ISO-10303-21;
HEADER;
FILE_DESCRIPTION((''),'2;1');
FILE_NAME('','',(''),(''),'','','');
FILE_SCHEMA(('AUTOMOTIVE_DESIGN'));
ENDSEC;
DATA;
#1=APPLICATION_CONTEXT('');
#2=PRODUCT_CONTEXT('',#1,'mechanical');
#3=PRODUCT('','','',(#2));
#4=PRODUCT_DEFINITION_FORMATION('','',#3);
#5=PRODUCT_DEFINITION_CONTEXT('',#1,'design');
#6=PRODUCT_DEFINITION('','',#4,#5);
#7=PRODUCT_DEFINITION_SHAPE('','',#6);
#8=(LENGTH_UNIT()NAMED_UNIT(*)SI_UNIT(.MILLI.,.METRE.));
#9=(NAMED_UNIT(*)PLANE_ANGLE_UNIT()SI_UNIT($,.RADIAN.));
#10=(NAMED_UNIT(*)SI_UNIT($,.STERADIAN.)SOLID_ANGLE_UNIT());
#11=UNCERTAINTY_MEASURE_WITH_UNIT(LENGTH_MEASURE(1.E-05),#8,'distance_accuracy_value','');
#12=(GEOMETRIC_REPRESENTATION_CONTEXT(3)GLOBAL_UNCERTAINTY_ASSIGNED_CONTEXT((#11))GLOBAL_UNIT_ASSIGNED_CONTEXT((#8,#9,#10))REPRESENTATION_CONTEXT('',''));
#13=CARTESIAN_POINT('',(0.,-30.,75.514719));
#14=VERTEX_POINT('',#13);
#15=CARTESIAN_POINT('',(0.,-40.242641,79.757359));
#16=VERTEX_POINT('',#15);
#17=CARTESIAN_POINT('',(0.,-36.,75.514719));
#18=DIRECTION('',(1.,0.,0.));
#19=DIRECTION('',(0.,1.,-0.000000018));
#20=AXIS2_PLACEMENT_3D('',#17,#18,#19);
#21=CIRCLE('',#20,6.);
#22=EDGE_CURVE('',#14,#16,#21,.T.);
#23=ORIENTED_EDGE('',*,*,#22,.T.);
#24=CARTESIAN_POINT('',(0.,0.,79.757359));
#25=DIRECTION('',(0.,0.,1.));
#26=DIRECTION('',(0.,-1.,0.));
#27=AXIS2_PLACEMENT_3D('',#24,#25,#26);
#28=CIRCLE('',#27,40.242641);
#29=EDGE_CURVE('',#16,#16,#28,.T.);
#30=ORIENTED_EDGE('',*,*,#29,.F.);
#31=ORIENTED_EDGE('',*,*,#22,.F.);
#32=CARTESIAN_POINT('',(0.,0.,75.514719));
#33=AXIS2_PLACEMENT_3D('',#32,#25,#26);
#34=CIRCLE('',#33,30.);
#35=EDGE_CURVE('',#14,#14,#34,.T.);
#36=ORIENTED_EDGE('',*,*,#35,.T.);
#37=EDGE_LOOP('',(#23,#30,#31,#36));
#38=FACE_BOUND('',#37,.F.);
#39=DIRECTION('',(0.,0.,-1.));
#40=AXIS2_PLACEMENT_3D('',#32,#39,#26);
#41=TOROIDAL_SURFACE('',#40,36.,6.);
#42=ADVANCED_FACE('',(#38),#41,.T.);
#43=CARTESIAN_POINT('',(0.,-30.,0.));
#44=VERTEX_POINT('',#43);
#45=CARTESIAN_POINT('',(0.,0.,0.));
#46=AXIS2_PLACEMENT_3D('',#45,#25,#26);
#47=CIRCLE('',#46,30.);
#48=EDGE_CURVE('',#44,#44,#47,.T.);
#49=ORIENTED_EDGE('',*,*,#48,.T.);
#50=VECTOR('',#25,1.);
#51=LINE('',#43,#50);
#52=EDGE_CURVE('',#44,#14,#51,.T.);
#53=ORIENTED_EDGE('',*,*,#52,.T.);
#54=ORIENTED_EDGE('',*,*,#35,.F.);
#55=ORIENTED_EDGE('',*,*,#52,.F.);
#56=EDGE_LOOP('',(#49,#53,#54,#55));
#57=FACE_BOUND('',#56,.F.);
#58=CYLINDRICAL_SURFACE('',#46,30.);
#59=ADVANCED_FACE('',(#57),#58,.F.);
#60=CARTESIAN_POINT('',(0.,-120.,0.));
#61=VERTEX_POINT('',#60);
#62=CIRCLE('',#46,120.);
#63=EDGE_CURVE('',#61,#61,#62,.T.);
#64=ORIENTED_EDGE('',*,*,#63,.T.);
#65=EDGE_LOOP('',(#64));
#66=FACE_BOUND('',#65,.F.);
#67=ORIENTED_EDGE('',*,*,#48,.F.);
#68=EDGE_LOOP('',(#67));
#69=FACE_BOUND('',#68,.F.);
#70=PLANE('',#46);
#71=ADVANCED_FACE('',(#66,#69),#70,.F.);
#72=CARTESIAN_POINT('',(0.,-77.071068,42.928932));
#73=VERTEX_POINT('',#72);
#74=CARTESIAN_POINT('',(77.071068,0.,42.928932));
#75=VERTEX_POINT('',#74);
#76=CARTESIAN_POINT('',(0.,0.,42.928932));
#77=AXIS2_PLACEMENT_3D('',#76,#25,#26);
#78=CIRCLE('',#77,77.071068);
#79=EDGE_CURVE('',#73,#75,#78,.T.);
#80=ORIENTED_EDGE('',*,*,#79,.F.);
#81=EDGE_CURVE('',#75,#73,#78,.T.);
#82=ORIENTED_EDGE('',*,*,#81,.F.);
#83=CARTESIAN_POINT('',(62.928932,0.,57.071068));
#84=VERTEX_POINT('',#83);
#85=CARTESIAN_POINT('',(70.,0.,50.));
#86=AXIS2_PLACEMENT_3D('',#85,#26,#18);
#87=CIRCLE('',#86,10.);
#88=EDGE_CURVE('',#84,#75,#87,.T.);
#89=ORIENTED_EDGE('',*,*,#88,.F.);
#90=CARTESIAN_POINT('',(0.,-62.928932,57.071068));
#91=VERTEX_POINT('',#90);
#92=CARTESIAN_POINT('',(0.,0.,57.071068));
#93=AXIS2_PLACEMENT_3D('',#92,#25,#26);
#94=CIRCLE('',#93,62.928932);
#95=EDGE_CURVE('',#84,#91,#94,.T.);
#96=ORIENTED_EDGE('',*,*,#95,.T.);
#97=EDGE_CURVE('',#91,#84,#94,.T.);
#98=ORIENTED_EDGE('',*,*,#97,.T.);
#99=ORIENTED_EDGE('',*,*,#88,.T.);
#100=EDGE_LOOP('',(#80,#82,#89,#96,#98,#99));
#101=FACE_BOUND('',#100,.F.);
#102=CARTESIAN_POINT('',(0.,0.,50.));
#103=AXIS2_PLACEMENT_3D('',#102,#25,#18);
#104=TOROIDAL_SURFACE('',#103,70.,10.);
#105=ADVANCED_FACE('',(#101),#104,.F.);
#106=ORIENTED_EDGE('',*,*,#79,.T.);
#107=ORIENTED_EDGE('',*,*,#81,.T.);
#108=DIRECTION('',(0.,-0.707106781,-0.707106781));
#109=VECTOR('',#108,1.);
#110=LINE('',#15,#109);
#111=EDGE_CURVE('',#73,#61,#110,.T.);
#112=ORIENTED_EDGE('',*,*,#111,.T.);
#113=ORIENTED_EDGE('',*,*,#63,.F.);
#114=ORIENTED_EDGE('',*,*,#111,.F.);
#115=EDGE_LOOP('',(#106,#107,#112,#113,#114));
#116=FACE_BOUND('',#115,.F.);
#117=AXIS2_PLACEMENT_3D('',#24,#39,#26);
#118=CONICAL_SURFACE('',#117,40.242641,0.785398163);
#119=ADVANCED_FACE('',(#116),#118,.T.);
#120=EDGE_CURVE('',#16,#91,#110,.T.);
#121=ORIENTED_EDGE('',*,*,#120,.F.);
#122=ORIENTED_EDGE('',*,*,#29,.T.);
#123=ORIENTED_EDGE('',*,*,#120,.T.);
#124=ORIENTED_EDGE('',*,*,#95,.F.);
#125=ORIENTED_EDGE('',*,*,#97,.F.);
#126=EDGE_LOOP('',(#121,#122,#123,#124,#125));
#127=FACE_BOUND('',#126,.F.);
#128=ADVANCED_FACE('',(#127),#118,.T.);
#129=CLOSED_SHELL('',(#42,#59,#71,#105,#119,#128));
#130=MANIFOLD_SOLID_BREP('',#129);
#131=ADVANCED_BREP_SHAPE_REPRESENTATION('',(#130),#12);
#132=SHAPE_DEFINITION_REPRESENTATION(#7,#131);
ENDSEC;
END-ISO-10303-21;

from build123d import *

# Parameters (mm, degrees)
F3_R = 10


with BuildPart() as f2:
    # F0 (on Right) → F2 (revolve)
    with BuildSketch(Plane.YZ):
        with BuildLine():
            Line((-120, 0), (-30, 0))
            Line((-30, 0), (-30, 75.514719))
            ThreePointArc((-30, 75.514719), (-33.703899, 81.057996), (-40.242641, 79.757359))
            Line((-40.242641, 79.757359), (-120, 0))
        make_face()
    revolve(axis=Axis((0, 0, 51.8745), (0, 0, 1)))

    # F3 (on Front) → F5 (revolve, cut)
    with BuildSketch(Plane.XZ):
        with Locations((70, 50)):
            Circle(F3_R)
    revolve(axis=Axis((0, 0, 49.8755), (0, 0, 1)), mode=Mode.SUBTRACT)


solid = f2.part
